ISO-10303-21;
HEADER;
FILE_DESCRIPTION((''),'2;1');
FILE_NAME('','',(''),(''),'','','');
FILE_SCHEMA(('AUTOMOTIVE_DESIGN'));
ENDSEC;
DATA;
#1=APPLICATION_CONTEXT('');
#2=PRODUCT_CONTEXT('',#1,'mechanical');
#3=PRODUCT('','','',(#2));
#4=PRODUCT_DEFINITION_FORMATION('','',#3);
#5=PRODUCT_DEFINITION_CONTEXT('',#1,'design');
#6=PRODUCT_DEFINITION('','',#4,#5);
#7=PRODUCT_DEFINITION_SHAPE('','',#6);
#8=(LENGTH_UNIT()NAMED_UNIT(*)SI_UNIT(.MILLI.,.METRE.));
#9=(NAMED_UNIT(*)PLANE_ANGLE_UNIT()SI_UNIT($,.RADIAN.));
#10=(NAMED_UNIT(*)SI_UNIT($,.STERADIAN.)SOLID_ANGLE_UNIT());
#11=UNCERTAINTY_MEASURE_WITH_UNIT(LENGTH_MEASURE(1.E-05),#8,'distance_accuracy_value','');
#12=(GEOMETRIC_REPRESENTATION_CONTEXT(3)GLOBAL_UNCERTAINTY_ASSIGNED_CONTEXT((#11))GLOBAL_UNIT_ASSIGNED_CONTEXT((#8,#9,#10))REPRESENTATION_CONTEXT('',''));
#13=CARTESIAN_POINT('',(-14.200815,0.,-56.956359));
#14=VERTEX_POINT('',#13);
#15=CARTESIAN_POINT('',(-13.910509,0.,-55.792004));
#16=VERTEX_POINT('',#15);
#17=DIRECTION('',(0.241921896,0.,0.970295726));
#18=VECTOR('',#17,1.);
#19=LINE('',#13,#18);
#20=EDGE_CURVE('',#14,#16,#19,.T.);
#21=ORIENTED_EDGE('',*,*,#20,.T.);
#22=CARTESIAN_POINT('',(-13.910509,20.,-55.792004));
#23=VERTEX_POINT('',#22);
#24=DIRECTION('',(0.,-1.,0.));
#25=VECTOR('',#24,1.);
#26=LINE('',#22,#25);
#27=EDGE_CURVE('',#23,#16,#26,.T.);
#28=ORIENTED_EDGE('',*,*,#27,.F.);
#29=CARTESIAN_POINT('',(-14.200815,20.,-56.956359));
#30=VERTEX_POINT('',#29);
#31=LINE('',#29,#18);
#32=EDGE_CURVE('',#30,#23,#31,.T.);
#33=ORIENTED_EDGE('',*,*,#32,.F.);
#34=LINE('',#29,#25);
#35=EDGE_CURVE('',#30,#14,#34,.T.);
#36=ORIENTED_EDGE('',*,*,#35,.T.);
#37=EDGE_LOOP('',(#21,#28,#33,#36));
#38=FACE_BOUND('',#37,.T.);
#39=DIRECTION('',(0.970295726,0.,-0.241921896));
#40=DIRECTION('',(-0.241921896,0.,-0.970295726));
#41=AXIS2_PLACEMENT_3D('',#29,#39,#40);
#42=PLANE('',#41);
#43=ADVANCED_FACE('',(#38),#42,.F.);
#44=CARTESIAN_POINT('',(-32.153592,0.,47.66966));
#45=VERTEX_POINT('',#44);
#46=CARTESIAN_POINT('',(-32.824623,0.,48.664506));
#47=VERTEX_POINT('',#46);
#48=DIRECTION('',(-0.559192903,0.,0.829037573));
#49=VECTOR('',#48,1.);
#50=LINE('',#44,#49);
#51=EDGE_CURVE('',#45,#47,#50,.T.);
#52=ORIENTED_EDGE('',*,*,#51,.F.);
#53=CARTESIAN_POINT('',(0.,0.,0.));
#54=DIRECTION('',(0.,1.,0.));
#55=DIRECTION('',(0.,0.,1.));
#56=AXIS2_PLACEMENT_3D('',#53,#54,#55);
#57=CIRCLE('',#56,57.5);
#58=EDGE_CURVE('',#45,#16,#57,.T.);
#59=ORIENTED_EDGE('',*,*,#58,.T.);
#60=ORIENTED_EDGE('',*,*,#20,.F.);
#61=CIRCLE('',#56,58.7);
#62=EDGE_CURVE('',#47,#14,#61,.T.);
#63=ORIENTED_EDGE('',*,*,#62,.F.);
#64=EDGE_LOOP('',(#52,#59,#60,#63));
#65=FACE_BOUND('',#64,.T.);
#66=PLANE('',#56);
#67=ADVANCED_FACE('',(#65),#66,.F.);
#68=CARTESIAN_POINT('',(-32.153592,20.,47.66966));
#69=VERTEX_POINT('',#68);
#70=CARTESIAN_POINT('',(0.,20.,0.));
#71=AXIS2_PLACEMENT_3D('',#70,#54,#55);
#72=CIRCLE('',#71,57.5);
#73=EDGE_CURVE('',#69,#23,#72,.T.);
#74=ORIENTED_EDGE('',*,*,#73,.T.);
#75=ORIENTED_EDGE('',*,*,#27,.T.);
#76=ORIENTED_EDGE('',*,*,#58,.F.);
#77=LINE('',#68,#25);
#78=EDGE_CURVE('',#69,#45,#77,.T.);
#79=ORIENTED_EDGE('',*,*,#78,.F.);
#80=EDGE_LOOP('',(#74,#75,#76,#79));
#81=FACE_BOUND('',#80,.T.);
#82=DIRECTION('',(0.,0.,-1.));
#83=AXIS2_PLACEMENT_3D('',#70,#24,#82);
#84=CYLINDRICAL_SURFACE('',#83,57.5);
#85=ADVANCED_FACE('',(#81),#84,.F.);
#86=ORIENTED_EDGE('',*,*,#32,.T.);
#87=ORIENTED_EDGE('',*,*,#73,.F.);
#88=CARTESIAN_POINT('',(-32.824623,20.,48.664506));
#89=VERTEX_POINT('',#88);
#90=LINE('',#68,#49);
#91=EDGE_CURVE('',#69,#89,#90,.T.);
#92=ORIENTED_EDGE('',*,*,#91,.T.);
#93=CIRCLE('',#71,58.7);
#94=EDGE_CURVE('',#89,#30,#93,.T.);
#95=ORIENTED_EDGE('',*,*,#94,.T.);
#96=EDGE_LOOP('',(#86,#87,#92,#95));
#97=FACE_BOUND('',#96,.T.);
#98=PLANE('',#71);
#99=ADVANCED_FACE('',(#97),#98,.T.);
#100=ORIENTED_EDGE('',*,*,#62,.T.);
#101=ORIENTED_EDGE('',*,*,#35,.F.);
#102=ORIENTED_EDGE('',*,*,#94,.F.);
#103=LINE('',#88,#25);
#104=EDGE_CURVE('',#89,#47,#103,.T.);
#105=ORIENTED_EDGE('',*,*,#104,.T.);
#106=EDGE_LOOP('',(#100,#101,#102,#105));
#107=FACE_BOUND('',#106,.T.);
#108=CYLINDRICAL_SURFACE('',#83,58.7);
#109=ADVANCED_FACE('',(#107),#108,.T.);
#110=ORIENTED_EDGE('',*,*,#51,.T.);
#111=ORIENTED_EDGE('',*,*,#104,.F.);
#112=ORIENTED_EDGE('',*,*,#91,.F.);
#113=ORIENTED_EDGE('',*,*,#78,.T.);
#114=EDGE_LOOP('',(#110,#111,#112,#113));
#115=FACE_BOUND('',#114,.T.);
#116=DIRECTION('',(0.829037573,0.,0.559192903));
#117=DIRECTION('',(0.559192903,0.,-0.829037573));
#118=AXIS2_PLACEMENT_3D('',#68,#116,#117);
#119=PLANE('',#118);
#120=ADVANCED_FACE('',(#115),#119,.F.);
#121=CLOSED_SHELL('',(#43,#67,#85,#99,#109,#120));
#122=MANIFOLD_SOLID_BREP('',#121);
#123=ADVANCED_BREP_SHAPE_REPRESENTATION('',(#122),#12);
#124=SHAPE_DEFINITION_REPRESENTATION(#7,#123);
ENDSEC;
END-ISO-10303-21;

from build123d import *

# Parameters (mm, degrees)
EXTRUDE_1_DEPTH = 20


with BuildPart() as part:
    # 草图1 → 凸台-拉伸1 (new body)
    with BuildSketch(Plane(origin=(0, 0, 0), x_dir=(1, 0, 0), z_dir=(0, 1, 0))):
        with BuildLine():
            Line((-14.200815272, 56.956359132), (-13.910508997, 55.792004261))
            ThreePointArc((-13.910508997, 55.792004261), (56.626445798, -9.984770216), (-32.15359195, -47.669660422))
            Line((-32.15359195, -47.669660422), (-32.824623434, -48.664505509))
            ThreePointArc((-32.824623434, -48.664505509), (57.808215102, -10.193148029), (-14.200815272, 56.956359132))
        make_face()
    extrude(amount=EXTRUDE_1_DEPTH)


solid = part.part
